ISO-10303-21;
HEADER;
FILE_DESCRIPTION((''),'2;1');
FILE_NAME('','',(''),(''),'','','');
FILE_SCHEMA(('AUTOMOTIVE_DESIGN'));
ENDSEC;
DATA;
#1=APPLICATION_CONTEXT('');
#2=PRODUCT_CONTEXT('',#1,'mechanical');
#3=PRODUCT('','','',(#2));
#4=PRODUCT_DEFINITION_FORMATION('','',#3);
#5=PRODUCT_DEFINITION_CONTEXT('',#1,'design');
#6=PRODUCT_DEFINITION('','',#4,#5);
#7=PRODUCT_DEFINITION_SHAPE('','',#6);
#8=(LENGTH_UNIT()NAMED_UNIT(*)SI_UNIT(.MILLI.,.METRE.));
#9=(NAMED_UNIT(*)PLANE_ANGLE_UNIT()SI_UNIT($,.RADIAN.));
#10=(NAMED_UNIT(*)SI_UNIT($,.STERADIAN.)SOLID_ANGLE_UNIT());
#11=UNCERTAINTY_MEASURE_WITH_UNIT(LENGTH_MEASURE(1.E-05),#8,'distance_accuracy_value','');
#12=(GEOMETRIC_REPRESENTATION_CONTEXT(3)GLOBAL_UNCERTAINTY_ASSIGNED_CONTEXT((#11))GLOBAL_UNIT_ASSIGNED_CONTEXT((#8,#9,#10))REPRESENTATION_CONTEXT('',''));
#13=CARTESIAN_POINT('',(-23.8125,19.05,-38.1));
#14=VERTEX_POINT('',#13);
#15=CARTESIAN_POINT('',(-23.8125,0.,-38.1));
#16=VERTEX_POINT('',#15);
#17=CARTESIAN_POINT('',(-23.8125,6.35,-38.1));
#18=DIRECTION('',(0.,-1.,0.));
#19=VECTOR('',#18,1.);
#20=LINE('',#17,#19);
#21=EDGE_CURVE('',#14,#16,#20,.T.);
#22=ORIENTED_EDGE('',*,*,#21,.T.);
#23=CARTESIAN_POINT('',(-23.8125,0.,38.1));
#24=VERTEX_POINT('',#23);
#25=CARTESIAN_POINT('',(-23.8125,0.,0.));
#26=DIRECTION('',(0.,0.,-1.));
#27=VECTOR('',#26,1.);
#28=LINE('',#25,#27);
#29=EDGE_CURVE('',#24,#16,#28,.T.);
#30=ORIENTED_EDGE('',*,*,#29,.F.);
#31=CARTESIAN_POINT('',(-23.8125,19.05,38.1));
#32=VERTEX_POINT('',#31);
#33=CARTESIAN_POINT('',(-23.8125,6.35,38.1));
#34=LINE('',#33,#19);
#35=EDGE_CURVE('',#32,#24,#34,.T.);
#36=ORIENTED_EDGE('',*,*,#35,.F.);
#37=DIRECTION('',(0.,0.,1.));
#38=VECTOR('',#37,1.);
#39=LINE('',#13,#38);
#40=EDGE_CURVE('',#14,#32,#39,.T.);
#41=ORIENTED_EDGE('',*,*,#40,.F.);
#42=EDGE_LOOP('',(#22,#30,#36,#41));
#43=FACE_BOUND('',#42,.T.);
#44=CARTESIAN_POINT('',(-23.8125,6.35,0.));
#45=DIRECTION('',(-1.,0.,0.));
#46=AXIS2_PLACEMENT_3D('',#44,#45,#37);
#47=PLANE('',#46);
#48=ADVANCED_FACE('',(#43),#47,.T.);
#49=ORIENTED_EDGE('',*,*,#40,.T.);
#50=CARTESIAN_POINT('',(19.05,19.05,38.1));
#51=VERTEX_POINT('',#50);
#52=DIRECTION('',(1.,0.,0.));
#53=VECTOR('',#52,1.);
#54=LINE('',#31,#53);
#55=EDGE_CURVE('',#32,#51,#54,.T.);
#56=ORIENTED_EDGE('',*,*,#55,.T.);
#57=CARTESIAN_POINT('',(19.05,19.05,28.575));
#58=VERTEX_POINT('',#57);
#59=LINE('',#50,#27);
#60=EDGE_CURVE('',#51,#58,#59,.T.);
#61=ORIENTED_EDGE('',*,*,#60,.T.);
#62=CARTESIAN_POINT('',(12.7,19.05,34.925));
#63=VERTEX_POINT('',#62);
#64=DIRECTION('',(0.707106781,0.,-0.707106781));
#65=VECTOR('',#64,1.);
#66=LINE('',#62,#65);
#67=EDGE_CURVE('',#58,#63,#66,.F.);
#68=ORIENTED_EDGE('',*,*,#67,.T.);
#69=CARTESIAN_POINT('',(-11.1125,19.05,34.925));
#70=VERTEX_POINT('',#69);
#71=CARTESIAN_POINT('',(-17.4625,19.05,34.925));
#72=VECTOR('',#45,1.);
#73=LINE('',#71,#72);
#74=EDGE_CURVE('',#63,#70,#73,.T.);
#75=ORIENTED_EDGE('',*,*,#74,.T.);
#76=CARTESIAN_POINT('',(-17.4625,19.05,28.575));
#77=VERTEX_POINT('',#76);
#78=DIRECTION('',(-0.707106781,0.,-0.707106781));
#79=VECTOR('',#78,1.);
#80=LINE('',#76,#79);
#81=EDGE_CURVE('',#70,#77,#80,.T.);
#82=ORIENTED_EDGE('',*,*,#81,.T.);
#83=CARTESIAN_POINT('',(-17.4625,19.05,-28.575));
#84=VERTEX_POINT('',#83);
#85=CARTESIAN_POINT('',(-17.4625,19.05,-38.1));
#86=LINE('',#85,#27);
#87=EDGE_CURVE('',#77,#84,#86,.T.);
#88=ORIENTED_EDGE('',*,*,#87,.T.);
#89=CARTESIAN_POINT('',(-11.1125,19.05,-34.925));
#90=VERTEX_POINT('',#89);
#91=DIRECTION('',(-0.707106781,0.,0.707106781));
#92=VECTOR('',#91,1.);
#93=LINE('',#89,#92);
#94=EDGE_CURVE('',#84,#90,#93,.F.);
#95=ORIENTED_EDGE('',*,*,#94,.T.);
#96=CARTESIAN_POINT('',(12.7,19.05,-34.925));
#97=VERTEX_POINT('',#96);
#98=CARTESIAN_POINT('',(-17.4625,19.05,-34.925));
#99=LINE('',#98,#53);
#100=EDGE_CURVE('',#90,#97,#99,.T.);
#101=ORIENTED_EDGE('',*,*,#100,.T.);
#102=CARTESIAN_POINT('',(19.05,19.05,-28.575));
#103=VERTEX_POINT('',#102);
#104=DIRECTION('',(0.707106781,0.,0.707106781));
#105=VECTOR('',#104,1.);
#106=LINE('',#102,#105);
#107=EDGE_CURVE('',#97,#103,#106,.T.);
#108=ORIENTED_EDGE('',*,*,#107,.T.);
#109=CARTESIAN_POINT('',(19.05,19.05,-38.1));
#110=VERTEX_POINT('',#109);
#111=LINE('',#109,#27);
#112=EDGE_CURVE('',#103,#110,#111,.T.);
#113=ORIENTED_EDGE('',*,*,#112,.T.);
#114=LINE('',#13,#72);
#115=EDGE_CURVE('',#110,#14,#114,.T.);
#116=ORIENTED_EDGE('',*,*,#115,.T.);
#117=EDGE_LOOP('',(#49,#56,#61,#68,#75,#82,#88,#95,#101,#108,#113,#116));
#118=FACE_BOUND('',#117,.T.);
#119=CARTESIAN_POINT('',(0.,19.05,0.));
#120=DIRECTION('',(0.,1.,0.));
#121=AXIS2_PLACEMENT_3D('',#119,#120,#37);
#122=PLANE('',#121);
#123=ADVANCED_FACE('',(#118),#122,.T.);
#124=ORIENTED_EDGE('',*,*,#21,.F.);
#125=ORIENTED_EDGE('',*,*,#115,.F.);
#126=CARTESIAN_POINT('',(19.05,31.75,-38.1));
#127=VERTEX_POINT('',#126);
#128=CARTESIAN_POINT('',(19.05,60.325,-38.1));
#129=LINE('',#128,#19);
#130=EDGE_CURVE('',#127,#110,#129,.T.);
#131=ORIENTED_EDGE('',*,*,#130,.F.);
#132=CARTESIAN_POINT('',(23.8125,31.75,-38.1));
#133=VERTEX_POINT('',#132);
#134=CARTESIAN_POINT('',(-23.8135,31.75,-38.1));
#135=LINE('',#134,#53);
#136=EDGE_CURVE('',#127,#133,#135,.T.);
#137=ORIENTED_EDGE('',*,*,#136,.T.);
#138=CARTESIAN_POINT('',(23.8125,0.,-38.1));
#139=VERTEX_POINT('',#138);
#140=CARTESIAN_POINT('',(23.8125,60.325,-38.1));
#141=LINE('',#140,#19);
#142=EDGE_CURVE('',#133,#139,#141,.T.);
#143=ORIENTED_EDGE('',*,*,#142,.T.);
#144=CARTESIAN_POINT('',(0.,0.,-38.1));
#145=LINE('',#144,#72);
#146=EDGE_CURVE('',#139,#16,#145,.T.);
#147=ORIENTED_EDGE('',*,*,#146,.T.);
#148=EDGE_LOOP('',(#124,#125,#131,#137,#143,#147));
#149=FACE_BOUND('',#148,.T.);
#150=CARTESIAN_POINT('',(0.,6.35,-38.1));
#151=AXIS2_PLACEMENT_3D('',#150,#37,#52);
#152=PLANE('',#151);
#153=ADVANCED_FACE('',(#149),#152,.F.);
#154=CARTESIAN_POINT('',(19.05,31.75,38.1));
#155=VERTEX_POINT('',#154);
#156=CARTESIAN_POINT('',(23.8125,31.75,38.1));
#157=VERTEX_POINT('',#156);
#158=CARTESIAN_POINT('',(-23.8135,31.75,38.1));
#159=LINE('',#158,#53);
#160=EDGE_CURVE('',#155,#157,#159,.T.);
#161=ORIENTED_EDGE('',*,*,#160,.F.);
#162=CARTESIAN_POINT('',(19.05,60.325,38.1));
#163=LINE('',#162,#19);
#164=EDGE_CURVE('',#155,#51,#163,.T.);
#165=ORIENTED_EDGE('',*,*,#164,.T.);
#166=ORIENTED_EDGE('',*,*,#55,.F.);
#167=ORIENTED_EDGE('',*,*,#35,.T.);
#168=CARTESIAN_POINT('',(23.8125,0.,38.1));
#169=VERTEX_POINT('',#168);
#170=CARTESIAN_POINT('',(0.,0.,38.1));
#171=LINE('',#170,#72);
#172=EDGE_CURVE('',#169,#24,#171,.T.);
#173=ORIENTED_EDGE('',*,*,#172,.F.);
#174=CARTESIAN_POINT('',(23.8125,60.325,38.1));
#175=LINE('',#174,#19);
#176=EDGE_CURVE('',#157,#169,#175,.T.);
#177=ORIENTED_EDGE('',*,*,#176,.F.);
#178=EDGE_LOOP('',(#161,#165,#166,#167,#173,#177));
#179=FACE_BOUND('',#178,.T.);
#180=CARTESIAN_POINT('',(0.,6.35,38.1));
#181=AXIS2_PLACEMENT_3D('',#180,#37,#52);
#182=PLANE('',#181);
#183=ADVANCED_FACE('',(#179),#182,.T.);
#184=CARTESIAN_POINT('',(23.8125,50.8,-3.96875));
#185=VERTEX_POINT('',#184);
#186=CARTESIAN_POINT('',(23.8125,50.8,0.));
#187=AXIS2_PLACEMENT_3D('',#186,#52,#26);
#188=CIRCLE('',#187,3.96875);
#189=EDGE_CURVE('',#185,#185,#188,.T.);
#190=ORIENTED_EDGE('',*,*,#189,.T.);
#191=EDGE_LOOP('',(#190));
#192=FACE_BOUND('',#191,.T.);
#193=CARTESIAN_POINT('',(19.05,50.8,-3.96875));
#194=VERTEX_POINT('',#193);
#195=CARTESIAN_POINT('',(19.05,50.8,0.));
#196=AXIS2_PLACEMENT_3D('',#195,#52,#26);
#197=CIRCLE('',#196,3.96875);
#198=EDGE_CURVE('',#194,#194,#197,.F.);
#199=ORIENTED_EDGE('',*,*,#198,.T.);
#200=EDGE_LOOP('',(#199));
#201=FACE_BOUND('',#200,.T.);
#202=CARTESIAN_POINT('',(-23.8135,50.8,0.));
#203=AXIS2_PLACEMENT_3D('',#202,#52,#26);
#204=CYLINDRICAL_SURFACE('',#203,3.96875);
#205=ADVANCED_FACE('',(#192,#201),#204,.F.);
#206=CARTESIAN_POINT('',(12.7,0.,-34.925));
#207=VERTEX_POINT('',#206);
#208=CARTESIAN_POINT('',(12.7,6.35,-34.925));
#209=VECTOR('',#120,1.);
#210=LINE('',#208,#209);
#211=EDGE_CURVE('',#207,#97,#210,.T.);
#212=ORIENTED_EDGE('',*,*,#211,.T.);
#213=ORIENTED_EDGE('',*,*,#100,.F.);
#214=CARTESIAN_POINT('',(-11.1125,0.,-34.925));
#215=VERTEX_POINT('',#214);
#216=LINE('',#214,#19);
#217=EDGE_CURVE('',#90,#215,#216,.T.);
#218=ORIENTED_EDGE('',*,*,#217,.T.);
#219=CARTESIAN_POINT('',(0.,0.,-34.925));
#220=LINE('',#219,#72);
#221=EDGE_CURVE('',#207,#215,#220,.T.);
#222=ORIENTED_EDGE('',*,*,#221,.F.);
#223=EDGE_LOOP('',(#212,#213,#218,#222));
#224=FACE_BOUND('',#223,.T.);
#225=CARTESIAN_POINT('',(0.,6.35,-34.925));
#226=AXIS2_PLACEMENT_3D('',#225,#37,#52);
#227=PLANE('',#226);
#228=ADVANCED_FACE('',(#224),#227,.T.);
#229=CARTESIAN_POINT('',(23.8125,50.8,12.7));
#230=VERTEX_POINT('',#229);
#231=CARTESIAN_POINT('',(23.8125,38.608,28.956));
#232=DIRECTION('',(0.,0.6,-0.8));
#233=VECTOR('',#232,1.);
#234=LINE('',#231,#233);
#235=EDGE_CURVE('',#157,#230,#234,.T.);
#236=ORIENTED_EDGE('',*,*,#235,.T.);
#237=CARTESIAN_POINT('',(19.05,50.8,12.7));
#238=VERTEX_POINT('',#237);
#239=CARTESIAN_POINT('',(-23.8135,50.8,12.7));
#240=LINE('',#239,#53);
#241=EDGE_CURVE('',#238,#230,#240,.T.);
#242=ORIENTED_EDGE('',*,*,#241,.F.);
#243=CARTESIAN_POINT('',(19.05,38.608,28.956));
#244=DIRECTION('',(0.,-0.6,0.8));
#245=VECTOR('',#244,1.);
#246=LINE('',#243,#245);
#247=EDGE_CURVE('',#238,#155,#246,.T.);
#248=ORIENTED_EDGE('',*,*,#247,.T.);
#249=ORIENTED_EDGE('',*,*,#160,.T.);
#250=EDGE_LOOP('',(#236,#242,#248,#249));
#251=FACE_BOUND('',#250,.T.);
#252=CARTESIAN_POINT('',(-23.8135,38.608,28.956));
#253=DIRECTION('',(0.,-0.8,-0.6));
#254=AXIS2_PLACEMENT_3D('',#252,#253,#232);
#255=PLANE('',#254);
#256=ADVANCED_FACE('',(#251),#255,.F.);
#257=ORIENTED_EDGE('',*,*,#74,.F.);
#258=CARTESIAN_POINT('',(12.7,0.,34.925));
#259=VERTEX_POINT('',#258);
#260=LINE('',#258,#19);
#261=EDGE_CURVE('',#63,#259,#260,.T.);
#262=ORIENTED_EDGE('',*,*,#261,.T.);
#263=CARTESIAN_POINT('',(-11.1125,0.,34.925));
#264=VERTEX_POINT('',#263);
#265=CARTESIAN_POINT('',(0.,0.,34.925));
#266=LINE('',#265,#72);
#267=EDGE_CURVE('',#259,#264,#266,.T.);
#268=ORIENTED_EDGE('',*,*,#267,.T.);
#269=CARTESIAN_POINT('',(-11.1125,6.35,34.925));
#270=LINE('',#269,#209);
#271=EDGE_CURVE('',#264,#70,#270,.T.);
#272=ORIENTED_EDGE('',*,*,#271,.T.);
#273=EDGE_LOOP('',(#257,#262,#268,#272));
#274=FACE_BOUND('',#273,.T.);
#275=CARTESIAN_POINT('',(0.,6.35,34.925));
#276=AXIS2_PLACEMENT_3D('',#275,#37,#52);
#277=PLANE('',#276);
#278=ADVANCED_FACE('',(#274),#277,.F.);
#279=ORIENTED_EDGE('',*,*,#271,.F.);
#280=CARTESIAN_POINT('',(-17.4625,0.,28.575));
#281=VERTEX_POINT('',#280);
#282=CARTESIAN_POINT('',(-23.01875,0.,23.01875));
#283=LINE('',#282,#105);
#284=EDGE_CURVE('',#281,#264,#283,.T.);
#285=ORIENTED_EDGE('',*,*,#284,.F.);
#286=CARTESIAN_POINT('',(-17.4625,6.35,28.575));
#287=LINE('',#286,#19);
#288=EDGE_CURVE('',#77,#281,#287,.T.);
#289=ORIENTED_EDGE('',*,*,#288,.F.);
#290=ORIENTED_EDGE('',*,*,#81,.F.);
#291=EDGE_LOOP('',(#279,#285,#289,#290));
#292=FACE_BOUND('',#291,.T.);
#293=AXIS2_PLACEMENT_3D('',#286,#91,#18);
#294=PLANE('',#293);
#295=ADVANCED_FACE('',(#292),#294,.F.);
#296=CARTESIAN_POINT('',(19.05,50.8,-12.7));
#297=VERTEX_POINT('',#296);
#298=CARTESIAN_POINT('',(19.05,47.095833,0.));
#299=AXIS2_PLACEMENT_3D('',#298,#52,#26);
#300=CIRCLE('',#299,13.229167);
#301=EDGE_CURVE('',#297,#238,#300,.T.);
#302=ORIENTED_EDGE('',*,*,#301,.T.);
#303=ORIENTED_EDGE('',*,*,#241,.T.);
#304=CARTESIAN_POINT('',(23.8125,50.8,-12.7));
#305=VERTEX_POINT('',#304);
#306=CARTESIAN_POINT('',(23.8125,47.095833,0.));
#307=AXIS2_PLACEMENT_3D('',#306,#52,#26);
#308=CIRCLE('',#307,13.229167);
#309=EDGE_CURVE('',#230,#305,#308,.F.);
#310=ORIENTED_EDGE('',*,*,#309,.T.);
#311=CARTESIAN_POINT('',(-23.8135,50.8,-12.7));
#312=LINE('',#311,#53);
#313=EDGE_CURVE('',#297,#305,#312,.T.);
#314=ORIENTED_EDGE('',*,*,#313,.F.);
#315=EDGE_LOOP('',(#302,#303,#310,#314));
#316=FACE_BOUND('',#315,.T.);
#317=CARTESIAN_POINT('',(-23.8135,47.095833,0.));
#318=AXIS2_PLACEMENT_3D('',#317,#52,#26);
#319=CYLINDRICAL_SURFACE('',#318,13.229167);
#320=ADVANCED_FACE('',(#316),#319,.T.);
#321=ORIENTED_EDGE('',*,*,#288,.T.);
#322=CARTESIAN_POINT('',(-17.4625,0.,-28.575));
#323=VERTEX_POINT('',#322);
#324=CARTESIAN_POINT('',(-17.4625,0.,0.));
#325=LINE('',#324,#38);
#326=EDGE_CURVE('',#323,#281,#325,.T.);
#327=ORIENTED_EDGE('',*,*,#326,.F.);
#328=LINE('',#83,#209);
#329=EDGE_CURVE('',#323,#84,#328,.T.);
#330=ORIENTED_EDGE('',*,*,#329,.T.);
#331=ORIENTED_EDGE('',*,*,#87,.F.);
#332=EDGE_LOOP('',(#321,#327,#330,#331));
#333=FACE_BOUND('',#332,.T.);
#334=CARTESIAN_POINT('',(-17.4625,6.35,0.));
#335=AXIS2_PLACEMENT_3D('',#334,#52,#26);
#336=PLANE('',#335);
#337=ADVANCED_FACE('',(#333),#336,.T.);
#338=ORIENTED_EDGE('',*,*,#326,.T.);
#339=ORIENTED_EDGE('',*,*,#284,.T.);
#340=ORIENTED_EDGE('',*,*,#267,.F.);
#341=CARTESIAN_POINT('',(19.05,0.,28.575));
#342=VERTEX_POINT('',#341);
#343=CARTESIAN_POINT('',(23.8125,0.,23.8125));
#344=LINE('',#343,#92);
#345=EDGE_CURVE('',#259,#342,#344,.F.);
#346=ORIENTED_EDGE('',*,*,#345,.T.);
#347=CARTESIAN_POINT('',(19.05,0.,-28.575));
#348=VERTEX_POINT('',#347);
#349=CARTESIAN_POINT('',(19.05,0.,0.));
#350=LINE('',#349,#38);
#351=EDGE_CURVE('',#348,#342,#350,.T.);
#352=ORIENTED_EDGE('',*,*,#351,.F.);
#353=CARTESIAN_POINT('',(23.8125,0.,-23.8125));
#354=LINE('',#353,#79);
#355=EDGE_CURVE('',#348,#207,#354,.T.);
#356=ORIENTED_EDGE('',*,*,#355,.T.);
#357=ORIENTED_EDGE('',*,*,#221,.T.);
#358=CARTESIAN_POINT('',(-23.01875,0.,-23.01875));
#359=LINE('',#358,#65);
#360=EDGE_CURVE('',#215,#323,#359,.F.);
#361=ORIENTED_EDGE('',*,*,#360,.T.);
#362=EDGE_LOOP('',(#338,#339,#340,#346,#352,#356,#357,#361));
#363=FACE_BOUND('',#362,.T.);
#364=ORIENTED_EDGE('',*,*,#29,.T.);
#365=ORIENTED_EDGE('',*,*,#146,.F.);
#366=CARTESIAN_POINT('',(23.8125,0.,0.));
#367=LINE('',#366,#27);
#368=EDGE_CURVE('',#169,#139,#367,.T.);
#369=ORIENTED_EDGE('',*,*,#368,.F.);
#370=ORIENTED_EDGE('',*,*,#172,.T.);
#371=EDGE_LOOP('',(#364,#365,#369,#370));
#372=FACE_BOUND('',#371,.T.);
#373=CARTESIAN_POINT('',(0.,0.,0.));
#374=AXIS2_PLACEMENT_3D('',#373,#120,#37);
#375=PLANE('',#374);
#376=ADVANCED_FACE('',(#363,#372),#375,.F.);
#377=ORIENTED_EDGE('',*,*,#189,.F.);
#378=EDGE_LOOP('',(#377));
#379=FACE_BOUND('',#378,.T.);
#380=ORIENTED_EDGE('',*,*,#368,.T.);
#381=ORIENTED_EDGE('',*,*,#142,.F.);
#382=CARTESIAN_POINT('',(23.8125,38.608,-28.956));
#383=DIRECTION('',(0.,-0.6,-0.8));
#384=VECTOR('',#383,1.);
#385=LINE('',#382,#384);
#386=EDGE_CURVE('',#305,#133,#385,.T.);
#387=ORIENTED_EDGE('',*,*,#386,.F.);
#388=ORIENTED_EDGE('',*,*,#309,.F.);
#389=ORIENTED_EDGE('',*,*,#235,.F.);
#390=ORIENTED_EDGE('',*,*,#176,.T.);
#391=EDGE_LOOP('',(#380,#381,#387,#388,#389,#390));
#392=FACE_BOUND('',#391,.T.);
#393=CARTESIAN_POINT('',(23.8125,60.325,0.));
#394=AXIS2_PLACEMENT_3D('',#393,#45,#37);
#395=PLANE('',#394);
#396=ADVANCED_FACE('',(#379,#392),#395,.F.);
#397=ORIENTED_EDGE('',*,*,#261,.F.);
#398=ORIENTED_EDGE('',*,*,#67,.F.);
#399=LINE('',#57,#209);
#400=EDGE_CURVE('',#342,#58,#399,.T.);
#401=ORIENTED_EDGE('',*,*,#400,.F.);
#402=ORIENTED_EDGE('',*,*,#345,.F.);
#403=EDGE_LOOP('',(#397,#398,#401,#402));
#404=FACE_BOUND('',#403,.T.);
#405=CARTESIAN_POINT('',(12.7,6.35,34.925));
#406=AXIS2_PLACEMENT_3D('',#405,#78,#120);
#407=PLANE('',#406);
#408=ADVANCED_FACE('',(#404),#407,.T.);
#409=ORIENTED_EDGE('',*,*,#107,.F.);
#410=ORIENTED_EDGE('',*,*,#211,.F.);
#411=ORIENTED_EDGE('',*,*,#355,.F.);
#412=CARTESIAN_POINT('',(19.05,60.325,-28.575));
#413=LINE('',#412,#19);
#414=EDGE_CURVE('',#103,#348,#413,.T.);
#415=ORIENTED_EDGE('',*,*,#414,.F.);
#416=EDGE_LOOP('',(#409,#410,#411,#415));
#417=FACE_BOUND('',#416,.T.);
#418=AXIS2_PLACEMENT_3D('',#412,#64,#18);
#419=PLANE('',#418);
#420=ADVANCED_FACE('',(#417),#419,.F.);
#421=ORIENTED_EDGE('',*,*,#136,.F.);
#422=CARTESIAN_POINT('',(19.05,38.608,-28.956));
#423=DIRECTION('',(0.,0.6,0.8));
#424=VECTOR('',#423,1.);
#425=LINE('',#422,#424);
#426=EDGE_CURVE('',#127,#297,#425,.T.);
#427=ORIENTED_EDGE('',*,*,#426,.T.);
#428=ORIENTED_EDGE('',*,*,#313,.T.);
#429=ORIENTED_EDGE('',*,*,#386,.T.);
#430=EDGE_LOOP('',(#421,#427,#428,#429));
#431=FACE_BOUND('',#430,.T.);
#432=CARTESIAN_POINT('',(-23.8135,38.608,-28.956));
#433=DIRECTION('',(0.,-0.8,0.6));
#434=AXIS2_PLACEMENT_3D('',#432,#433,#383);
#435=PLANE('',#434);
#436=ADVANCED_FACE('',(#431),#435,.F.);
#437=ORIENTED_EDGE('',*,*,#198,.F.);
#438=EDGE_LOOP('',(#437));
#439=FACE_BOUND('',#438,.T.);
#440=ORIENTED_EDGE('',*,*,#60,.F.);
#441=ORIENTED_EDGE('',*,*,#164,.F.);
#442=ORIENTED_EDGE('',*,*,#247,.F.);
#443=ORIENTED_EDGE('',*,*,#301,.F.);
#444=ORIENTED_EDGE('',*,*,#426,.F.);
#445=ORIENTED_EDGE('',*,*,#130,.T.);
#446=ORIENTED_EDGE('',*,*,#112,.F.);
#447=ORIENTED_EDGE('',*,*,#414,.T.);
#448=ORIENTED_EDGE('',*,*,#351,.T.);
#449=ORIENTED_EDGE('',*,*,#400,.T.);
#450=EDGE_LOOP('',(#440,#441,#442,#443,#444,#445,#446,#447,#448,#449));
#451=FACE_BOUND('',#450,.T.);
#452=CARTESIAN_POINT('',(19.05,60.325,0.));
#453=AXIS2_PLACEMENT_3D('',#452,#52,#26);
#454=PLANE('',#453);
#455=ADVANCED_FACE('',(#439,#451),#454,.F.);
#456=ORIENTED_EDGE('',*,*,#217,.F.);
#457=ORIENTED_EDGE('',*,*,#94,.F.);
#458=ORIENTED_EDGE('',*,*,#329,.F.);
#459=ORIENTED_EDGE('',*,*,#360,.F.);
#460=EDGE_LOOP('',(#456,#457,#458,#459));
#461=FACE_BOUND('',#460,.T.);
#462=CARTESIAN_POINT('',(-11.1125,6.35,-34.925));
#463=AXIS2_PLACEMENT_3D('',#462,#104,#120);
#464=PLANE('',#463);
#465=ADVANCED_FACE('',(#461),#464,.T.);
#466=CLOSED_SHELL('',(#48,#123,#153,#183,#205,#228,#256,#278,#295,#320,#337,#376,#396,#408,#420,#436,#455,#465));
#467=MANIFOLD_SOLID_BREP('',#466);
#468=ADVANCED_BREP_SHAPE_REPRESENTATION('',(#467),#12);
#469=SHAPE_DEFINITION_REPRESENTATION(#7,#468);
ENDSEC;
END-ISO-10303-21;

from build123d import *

# Parameters (mm, degrees)
BOSS_EXTRUDE1_DEPTH = 6.35
BOSS_EXTRUDE2_DEPTH = 60.325
SKETCH2_W           = 6.35
SKETCH2_H           = 76.2
BOSS_EXTRUDE3_DEPTH = 12.7
CUT_EXTRUDE2_REACH  = 87.784
CUT_EXTRUDE3_REACH  = 87.784
SKETCH4_3_R         = 3.96875
SKETCH7_W           = 36.5125
SKETCH7_H           = 3.175
BOSS_EXTRUDE5_DEPTH = 12.7
CHAMFER6_SIZE       = 6.35


with BuildPart() as part:
    # Sketch1 → Boss-Extrude1 (new body)
    with BuildSketch(Plane(origin=(0, 0, 0), x_dir=(1, 0, 0), z_dir=(0, 1, 0))):
        Polygon((19.05, 34.925), (19.05, 38.1), (-23.8125, 38.1), (-23.8125, -38.1), (19.05, -38.1), (19.05, -34.925), (-17.4625, -34.925), (-17.4625, 34.925), align=None)
    extrude(amount=BOSS_EXTRUDE1_DEPTH)

    # Sketch1<4> → Boss-Extrude2 (add)
    with BuildSketch(Plane(origin=(0, 0, 0), x_dir=(1, 0, 0), z_dir=(0, 1, 0))):
        Polygon((23.8125, 38.1), (19.05, 38.1), (19.05, 34.925), (19.05, -34.925), (19.05, -38.1), (23.8125, -38.1), align=None)
    extrude(amount=BOSS_EXTRUDE2_DEPTH)

    # Sketch2 → Boss-Extrude3 (add)
    with BuildSketch(Plane(origin=(0, 6.35, 0), x_dir=(1, 0, 0), z_dir=(0, 1, 0))):
        with Locations((-20.6375, 0)):
            Rectangle(SKETCH2_W, SKETCH2_H)
    extrude(amount=BOSS_EXTRUDE3_DEPTH)

    # Sketch4 → Cut-Extrude2 (cut, up to next)
    with BuildSketch(Plane(origin=(23.8125, 0, 0), x_dir=(0, 0, -1), z_dir=(1, 0, 0)), mode=Mode.PRIVATE) as cut_extrude2_sk1:
        with BuildLine():
            Line((-38.1, 60.325), (-38.1, 31.75))
            Line((-38.1, 31.75), (-12.7, 50.8))
            ThreePointArc((-12.7, 50.8), (-7.9375, 57.679166667), (0, 60.325))
            Line((0, 60.325), (-38.1, 60.325))
        make_face()
    cut_extrude2_tool1 = extrude(cut_extrude2_sk1.sketch, amount=-CUT_EXTRUDE2_REACH, mode=Mode.PRIVATE) & part.part
    # Sketch4 → Cut-Extrude2 (cut, up to next)
    with BuildSketch(Plane(origin=(23.8125, 0, 0), x_dir=(0, 0, -1), z_dir=(1, 0, 0)), mode=Mode.PRIVATE) as cut_extrude2_sk2:
        with BuildLine():
            Line((38.1, 60.325), (0, 60.325))
            ThreePointArc((0, 60.325), (7.9375, 57.679166667), (12.7, 50.8))
            Line((12.7, 50.8), (38.1, 31.75))
            Line((38.1, 31.75), (38.1, 60.325))
        make_face()
    cut_extrude2_tool2 = extrude(cut_extrude2_sk2.sketch, amount=-CUT_EXTRUDE2_REACH, mode=Mode.PRIVATE) & part.part
    add(cut_extrude2_tool1.solids().sort_by_distance((23.8125, 50.488362, 26.421388))[0], mode=Mode.SUBTRACT)
    add(cut_extrude2_tool2.solids().sort_by_distance((23.8125, 50.488362, -26.421388))[0], mode=Mode.SUBTRACT)

    # Sketch4<3> → Cut-Extrude3 (cut, up to next)
    with BuildSketch(Plane(origin=(23.8125, 0, 0), x_dir=(0, 0, -1), z_dir=(1, 0, 0)), mode=Mode.PRIVATE) as cut_extrude3_sk1:
        with Locations((0, 50.8)):
            Circle(SKETCH4_3_R)
    cut_extrude3_tool1 = extrude(cut_extrude3_sk1.sketch, amount=-CUT_EXTRUDE3_REACH, mode=Mode.PRIVATE) & part.part
    add(cut_extrude3_tool1.solids().sort_by_distance((23.8125, 50.8, 0))[0], mode=Mode.SUBTRACT)

    # Sketch7 → Boss-Extrude5 (add)
    with BuildSketch(Plane(origin=(0, 6.35, 0), x_dir=(1, 0, 0), z_dir=(0, 1, 0))):
        with Locations((0.79375, 36.5125)):
            Rectangle(SKETCH7_W, SKETCH7_H)
        with Locations((0.79375, -36.5125)):
            Rectangle(SKETCH7_W, SKETCH7_H)
    extrude(amount=BOSS_EXTRUDE5_DEPTH)

    # Chamfer6
    chamfer6_edges = [part.edges().sort_by_distance(p)[0] for p in [
        (-17.4625, 9.525, 34.925),
        (19.05, 9.525, 34.925),
        (19.05, 9.525, -34.925),
        (-17.4625, 9.525, -34.925),
    ]]
    chamfer(chamfer6_edges, length=CHAMFER6_SIZE)


solid = part.part
